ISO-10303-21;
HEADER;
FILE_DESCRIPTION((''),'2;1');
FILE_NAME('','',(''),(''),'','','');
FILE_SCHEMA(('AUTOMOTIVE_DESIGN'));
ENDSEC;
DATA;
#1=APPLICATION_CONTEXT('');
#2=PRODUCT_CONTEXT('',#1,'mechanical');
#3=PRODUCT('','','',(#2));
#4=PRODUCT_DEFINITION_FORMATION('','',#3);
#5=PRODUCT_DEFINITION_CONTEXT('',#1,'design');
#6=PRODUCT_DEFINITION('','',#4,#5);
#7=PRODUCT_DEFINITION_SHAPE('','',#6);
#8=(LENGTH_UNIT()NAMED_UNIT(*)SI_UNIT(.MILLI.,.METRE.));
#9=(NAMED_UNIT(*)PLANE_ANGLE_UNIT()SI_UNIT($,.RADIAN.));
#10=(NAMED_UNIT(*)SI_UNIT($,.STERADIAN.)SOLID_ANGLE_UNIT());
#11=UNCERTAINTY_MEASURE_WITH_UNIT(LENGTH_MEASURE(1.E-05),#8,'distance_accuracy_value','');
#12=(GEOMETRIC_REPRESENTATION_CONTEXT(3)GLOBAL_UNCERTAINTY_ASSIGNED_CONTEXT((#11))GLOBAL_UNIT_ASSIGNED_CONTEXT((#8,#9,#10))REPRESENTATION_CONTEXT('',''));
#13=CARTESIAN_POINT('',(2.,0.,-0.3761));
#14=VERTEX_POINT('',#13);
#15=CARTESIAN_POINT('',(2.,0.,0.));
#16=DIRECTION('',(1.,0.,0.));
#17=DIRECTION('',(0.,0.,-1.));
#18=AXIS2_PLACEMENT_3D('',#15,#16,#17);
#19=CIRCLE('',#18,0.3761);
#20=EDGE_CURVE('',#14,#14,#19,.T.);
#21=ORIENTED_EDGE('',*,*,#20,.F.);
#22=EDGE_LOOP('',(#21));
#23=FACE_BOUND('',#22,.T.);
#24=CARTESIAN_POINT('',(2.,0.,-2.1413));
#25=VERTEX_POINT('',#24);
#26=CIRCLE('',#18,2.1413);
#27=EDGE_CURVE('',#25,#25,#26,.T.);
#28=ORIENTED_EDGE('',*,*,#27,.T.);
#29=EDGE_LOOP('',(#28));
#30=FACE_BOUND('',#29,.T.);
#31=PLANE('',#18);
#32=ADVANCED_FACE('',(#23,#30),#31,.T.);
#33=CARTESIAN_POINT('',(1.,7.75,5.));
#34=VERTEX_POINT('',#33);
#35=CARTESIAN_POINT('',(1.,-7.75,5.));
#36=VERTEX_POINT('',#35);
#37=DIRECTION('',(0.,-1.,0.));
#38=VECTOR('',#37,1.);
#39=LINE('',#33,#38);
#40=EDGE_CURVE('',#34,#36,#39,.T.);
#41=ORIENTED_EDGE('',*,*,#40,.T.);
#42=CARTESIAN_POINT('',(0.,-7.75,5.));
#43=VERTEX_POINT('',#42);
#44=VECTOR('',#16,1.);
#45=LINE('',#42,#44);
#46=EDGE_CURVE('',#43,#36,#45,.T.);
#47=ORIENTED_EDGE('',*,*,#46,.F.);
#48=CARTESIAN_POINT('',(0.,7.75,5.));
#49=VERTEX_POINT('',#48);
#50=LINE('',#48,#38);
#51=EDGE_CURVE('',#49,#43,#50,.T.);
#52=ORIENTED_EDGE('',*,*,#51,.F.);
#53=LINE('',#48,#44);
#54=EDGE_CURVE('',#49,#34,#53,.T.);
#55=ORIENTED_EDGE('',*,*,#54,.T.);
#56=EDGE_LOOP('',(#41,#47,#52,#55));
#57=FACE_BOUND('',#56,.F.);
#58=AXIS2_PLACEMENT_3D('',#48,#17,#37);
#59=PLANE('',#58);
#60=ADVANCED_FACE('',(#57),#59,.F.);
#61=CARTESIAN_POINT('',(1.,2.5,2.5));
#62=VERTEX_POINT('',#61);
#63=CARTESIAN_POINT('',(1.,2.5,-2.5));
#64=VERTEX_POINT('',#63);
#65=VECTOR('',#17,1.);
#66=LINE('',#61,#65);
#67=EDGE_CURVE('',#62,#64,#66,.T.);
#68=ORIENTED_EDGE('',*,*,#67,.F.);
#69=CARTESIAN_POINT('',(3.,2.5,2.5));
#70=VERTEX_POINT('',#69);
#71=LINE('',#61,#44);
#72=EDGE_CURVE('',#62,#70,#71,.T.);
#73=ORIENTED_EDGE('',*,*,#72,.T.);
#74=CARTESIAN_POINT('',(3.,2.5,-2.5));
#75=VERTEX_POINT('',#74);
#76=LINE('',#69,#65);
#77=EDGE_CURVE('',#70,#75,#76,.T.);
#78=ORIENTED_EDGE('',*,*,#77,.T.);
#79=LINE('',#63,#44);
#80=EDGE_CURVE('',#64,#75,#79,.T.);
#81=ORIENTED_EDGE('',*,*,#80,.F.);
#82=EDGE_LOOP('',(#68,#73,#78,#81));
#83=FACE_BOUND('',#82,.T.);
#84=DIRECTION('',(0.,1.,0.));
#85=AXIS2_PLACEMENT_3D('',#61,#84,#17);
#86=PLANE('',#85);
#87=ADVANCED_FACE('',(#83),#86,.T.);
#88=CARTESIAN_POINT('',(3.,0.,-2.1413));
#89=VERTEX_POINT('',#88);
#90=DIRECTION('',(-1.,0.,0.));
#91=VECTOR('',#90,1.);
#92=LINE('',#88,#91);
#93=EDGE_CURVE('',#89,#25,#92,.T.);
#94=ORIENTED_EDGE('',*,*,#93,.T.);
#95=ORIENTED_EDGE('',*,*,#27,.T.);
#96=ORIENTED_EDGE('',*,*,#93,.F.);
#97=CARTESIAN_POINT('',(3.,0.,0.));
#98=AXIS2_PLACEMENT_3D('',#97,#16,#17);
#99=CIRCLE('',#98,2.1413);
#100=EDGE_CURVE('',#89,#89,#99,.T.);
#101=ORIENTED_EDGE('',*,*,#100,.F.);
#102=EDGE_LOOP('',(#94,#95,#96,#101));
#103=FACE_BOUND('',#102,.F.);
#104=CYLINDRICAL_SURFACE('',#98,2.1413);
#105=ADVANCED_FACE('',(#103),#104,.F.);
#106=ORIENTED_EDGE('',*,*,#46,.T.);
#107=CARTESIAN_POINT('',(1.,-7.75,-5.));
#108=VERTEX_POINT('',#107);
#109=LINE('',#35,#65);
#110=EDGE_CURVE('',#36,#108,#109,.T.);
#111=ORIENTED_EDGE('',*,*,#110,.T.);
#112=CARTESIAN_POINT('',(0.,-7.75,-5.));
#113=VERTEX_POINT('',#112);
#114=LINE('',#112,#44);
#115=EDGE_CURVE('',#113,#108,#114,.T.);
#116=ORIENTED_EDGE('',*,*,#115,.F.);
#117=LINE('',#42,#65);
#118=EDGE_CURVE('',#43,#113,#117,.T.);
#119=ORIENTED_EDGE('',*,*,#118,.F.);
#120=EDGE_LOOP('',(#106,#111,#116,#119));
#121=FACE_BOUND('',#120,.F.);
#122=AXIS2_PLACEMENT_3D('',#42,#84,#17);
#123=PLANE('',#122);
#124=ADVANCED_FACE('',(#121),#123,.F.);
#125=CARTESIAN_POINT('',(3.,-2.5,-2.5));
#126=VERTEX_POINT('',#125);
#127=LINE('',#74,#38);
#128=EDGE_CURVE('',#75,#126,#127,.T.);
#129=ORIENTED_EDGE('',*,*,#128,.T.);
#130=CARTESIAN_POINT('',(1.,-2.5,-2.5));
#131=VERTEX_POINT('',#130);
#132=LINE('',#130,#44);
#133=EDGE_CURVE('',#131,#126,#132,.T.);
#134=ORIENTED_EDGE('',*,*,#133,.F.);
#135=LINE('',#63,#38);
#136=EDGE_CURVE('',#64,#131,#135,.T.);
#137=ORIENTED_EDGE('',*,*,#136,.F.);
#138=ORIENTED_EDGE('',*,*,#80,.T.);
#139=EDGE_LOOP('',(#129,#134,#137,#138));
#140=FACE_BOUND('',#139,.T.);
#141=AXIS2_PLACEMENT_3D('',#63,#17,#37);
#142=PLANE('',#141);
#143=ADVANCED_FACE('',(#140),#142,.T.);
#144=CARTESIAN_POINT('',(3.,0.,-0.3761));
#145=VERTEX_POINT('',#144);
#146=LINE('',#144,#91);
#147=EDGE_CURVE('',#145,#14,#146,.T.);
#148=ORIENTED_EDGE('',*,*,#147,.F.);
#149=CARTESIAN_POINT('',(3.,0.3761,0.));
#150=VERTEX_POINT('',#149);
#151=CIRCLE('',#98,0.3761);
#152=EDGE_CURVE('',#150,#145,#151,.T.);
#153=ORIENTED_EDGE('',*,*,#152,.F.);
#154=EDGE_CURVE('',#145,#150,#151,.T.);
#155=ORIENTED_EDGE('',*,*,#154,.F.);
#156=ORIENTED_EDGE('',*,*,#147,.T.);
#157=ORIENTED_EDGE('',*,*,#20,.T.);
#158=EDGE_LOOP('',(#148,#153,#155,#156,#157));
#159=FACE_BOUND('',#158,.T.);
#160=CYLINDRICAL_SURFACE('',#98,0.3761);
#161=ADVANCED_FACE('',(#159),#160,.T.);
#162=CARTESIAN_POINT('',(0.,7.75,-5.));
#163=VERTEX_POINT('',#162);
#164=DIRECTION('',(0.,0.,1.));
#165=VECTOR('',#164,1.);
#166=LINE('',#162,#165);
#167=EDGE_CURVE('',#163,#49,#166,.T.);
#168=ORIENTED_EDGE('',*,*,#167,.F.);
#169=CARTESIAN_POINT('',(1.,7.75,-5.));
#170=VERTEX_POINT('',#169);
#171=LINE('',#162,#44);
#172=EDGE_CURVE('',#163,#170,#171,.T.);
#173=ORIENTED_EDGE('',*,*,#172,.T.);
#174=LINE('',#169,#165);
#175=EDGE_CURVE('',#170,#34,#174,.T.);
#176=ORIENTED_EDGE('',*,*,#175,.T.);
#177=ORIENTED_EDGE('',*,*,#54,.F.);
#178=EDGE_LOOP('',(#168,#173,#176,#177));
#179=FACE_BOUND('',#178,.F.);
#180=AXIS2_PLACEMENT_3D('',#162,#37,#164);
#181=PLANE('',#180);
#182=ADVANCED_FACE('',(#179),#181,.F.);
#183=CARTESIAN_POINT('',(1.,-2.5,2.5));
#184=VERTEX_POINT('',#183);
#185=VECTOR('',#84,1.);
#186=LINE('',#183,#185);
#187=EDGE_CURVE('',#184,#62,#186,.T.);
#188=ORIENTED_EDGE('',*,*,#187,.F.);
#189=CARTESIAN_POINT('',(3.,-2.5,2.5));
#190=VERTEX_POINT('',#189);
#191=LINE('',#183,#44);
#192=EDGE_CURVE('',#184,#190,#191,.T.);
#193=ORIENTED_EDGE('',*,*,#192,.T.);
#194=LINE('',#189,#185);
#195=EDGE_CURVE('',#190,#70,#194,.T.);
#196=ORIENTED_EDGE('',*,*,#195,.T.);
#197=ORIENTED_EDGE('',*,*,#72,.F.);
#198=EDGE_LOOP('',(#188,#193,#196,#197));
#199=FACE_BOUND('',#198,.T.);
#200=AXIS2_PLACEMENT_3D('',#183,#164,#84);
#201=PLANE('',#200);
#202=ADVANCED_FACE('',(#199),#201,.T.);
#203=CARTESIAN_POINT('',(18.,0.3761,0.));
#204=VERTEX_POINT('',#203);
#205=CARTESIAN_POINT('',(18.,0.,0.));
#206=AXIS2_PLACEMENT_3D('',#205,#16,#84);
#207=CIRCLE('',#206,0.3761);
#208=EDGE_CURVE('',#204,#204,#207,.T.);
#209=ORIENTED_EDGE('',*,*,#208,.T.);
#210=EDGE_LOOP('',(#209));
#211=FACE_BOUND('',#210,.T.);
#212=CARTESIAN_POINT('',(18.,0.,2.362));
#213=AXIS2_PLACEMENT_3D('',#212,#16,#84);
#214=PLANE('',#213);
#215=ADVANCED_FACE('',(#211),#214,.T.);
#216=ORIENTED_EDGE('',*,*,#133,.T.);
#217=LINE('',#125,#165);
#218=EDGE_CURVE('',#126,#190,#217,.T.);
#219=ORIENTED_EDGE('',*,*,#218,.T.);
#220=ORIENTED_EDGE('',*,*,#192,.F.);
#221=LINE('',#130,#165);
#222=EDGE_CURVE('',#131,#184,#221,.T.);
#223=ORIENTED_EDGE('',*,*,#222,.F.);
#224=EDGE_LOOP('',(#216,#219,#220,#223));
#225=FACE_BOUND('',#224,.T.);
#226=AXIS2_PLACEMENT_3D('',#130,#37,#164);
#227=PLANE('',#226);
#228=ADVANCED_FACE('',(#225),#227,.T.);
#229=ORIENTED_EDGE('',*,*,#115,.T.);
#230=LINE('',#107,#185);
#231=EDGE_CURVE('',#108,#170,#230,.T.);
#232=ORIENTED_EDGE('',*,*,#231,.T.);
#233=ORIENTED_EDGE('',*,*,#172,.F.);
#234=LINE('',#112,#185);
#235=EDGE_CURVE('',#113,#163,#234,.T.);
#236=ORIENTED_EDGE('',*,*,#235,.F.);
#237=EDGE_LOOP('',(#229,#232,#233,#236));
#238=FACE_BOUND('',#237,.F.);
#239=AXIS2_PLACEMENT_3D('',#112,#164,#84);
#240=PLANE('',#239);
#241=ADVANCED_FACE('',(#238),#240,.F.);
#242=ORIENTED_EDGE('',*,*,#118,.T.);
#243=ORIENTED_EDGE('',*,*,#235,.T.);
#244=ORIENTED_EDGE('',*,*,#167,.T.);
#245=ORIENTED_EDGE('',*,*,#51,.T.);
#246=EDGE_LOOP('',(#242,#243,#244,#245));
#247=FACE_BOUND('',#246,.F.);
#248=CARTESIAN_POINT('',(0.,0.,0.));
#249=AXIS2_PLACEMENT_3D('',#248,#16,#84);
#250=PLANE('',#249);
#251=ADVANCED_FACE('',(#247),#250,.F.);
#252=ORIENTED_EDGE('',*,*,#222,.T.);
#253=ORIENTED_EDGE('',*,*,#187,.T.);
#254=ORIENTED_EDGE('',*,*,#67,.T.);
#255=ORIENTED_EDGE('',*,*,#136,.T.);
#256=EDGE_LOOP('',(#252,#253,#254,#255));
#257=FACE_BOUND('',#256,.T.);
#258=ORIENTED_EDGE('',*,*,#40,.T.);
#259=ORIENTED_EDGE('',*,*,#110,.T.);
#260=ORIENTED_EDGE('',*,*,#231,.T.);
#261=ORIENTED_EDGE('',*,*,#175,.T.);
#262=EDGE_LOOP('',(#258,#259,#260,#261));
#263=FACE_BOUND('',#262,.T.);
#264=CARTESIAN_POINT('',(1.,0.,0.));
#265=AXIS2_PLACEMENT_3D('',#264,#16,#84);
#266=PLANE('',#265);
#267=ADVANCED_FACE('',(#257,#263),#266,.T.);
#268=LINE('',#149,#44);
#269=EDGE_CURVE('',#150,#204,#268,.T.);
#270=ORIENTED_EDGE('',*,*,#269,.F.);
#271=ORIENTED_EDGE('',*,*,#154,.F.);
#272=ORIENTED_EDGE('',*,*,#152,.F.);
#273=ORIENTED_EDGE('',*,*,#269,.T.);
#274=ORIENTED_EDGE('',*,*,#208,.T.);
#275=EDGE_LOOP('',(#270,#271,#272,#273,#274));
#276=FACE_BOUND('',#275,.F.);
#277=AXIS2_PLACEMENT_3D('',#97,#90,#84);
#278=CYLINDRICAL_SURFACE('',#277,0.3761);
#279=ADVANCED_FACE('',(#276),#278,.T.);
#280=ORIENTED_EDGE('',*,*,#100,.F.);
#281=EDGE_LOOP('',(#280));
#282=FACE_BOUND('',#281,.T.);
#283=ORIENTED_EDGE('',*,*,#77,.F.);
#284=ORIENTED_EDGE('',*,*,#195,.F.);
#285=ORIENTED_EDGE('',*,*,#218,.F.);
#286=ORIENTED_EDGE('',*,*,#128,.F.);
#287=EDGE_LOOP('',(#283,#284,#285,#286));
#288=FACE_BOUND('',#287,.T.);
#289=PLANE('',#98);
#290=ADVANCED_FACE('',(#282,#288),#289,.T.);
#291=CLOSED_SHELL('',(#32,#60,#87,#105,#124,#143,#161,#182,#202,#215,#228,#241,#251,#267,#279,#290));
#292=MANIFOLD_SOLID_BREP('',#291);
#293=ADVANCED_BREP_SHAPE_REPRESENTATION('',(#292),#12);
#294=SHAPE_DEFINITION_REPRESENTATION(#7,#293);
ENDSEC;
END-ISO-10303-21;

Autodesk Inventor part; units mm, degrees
ref_plane "YZ Plane" through (0, 0, 0) normal (1, 0, 0) x (0, 1, 0)
ref_plane "XZ Plane" through (0, 0, 0) normal (0, 1, 0) x (-1, 0, 0)
ref_plane "XY Plane" through (0, 0, 0) normal (0, 0, 1) x (1, 0, 0)
sketch "Sketch1" plane through (0, 0, 0) normal (1, 0, 0) x (0, 1, 0)
  line L0 (-7.75, -5) -> (7.75, -5)
  line L1 (7.75, -5) -> (7.75, 5)
  line L2 (7.75, 5) -> (-7.75, 5)
  line L3 (-7.75, 5) -> (-7.75, -5)
  line L4 (-7.75, -5) -> (7.75, 5) construction
  line L5 (7.75, -5) -> (-7.75, 5) construction
  point P0 (0, 0)
  dimension "d0" = 15.5
  dimension "d1" = 10
extrude "Extrusion1" add sketch "Sketch1" along normal blind 1
sketch "Sketch2" plane through (1, 0, 0) normal (1, 0, 0) x (0, 0, -1)
  line L0 (-2.5, 2.5) -> (2.5, 2.5)
  line L1 (2.5, 2.5) -> (2.5, -2.5)
  line L2 (2.5, -2.5) -> (-2.5, -2.5)
  line L3 (-2.5, -2.5) -> (-2.5, 2.5)
  line L4 (-2.5, 2.5) -> (2.5, -2.5) construction
  line L5 (2.5, 2.5) -> (-2.5, -2.5) construction
  point P0 (0, 0)
  dimension "d4" = 5
  dimension "d5" = 5
extrude "Extrusion2" add sketch "Sketch2" along normal blind 2
sketch "Sketch3" plane through (3, 0, 0) normal (1, 0, 0) x (0, 0, -1)
  line L0 (2.5, 2.5) -> (-2.5, 2.5) projected
  line L1 (-2.5, 2.5) -> (-2.5, -2.5) projected
  line L2 (-2.5, -2.5) -> (2.5, -2.5) projected
  line L3 (2.5, -2.5) -> (2.5, 2.5) projected
  circle A0 centre (0, 0) radius 2.1413
  circle A1 centre (0, 0) radius 0.3761
extrude "Extrusion3" cut sketch "Sketch3" against normal blind 1 contours A0
sketch "Sketch4" plane through (3, 0, 2.362) normal (1, 0, 0) x (0, 1, 0)
  circle A0 centre (0, -2.362) radius 0.3761 projected
extrude "Extrusion4" add sketch "Sketch4" along normal blind 15
ref_plane "Work Plane1" through (0, 0, 5) normal (0, 1, 0) x (1, 0, 0)
properties part number "00_LED_neopixel_single"
